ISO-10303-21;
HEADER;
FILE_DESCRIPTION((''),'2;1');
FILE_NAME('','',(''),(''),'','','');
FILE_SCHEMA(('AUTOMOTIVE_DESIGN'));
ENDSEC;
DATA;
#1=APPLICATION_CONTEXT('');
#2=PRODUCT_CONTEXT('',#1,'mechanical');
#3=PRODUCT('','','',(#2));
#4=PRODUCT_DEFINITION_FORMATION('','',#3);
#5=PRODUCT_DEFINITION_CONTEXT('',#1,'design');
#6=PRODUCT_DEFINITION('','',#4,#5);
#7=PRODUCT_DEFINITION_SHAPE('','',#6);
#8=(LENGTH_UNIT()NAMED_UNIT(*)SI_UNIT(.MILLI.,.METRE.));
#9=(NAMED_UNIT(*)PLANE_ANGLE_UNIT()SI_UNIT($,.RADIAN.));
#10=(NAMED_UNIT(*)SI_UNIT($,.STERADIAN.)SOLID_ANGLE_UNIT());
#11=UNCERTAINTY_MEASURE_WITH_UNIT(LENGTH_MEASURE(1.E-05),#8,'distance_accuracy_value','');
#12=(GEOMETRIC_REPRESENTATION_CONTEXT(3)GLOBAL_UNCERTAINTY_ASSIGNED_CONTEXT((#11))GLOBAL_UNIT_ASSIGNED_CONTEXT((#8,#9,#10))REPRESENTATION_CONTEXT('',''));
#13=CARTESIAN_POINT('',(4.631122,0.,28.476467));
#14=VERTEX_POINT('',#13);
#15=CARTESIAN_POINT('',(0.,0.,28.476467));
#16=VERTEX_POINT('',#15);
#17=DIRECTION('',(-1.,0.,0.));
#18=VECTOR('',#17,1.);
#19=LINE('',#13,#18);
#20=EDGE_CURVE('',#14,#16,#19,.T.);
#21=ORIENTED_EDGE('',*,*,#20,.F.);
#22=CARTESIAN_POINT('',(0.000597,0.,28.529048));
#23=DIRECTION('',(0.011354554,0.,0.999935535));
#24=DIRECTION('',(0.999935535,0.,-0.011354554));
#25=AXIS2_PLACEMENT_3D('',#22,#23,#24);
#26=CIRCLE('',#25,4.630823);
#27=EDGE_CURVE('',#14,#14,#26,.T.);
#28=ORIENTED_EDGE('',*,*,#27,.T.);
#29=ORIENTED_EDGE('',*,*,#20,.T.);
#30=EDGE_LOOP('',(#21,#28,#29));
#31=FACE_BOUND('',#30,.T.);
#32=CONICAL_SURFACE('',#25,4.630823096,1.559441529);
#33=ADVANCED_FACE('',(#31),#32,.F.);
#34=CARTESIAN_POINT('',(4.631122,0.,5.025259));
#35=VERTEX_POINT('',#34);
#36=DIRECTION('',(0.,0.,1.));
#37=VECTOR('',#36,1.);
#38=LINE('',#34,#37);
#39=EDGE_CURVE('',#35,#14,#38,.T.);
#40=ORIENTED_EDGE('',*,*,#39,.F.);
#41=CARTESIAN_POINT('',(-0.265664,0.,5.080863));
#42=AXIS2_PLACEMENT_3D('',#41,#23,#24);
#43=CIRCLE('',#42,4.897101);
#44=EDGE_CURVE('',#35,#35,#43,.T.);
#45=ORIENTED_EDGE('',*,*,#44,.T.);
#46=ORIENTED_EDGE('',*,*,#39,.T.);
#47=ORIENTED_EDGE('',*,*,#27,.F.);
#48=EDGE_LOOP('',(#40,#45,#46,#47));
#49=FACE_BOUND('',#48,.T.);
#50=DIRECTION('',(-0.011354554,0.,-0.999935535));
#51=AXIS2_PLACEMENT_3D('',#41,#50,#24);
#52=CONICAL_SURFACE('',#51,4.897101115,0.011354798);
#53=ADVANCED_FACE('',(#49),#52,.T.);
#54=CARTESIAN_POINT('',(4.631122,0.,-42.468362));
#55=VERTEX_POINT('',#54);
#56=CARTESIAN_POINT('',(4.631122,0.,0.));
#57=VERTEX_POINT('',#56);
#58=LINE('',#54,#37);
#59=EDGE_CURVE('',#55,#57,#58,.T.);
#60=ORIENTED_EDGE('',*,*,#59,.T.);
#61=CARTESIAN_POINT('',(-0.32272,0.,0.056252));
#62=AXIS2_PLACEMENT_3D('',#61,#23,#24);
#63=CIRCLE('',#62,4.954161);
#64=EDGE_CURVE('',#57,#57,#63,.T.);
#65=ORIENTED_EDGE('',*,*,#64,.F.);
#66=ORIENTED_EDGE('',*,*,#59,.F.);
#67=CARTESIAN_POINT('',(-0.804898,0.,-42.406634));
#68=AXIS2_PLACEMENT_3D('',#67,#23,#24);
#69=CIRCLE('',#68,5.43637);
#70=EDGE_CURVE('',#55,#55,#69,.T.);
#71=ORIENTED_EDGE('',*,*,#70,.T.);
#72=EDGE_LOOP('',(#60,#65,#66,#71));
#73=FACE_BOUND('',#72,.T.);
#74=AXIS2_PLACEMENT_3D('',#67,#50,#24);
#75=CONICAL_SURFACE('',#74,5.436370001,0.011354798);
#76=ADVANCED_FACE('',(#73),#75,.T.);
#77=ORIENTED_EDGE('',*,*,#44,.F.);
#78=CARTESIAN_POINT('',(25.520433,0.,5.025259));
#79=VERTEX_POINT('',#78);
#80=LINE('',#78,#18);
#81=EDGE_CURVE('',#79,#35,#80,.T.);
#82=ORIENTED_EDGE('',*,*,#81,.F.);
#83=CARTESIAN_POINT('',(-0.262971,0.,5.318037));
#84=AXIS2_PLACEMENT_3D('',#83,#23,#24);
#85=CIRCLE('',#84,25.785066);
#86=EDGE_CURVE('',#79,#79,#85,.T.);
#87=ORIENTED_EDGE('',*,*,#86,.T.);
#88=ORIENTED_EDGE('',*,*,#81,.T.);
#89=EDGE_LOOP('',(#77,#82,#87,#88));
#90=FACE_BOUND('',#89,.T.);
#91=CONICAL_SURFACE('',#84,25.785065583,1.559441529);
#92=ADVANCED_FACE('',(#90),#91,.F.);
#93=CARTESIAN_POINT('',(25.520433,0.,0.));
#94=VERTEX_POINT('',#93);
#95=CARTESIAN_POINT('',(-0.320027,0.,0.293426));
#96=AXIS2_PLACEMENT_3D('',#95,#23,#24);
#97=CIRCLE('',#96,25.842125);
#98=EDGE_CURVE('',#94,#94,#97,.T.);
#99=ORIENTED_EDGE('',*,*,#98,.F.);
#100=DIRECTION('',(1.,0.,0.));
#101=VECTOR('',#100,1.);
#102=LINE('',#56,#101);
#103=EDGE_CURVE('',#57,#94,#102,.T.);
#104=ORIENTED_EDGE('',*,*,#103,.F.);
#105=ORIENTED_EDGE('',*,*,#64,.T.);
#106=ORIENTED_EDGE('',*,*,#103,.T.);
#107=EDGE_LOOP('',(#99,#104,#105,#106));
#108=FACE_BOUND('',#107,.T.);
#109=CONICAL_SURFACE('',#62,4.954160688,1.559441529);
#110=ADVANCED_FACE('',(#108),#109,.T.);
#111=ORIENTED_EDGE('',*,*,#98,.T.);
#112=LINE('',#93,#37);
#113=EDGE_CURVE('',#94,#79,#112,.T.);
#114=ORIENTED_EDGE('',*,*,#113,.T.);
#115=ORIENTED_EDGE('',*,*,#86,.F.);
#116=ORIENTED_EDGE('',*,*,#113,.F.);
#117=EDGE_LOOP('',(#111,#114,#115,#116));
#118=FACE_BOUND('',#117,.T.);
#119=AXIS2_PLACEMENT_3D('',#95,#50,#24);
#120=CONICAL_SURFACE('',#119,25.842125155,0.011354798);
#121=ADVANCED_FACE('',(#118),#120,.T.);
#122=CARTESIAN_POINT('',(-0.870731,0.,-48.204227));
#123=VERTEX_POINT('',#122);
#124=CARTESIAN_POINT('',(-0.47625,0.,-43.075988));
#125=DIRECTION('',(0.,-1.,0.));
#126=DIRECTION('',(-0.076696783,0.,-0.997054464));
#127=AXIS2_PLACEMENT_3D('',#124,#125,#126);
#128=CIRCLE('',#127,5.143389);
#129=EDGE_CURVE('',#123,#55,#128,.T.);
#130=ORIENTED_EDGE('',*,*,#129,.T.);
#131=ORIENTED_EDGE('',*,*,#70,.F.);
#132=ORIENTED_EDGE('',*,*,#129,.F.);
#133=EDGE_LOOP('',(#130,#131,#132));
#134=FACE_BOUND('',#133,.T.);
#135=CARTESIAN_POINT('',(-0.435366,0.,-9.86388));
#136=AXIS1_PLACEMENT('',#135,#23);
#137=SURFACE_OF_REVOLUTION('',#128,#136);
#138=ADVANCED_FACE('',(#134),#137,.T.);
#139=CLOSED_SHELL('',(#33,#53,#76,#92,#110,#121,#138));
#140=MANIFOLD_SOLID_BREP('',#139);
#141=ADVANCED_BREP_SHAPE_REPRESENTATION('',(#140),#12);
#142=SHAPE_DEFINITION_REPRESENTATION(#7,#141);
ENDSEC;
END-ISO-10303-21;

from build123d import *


with BuildPart() as f1:
    # F0 (on Front) → F1 (revolve)
    with BuildSketch(Plane.XZ):
        with BuildLine():
            Line((0, 28.4764673561), (-0.870731233, -48.2042273823))
            ThreePointArc((-0.870731233, -48.2042273823), (3.2356058271, -46.6364067901), (4.6311216429, -42.4683615565))
            Line((4.6311216429, -42.4683615565), (4.6311216429, 0))
            Line((4.6311216429, 0), (25.5204327404, 0))
            Line((25.5204327404, 0), (25.5204327404, 5.0252587534))
            Line((25.5204327404, 5.0252587534), (4.6311216429, 5.0252587534))
            Line((4.6311216429, 5.0252587534), (4.6311216429, 28.4764673561))
            Line((4.6311216429, 28.4764673561), (0, 28.4764673561))
        make_face()
    revolve(axis=Axis((-0.4353656165, 0, -9.8638800131), (0.0113545542, 0, 0.999935535)))


solid = f1.part
